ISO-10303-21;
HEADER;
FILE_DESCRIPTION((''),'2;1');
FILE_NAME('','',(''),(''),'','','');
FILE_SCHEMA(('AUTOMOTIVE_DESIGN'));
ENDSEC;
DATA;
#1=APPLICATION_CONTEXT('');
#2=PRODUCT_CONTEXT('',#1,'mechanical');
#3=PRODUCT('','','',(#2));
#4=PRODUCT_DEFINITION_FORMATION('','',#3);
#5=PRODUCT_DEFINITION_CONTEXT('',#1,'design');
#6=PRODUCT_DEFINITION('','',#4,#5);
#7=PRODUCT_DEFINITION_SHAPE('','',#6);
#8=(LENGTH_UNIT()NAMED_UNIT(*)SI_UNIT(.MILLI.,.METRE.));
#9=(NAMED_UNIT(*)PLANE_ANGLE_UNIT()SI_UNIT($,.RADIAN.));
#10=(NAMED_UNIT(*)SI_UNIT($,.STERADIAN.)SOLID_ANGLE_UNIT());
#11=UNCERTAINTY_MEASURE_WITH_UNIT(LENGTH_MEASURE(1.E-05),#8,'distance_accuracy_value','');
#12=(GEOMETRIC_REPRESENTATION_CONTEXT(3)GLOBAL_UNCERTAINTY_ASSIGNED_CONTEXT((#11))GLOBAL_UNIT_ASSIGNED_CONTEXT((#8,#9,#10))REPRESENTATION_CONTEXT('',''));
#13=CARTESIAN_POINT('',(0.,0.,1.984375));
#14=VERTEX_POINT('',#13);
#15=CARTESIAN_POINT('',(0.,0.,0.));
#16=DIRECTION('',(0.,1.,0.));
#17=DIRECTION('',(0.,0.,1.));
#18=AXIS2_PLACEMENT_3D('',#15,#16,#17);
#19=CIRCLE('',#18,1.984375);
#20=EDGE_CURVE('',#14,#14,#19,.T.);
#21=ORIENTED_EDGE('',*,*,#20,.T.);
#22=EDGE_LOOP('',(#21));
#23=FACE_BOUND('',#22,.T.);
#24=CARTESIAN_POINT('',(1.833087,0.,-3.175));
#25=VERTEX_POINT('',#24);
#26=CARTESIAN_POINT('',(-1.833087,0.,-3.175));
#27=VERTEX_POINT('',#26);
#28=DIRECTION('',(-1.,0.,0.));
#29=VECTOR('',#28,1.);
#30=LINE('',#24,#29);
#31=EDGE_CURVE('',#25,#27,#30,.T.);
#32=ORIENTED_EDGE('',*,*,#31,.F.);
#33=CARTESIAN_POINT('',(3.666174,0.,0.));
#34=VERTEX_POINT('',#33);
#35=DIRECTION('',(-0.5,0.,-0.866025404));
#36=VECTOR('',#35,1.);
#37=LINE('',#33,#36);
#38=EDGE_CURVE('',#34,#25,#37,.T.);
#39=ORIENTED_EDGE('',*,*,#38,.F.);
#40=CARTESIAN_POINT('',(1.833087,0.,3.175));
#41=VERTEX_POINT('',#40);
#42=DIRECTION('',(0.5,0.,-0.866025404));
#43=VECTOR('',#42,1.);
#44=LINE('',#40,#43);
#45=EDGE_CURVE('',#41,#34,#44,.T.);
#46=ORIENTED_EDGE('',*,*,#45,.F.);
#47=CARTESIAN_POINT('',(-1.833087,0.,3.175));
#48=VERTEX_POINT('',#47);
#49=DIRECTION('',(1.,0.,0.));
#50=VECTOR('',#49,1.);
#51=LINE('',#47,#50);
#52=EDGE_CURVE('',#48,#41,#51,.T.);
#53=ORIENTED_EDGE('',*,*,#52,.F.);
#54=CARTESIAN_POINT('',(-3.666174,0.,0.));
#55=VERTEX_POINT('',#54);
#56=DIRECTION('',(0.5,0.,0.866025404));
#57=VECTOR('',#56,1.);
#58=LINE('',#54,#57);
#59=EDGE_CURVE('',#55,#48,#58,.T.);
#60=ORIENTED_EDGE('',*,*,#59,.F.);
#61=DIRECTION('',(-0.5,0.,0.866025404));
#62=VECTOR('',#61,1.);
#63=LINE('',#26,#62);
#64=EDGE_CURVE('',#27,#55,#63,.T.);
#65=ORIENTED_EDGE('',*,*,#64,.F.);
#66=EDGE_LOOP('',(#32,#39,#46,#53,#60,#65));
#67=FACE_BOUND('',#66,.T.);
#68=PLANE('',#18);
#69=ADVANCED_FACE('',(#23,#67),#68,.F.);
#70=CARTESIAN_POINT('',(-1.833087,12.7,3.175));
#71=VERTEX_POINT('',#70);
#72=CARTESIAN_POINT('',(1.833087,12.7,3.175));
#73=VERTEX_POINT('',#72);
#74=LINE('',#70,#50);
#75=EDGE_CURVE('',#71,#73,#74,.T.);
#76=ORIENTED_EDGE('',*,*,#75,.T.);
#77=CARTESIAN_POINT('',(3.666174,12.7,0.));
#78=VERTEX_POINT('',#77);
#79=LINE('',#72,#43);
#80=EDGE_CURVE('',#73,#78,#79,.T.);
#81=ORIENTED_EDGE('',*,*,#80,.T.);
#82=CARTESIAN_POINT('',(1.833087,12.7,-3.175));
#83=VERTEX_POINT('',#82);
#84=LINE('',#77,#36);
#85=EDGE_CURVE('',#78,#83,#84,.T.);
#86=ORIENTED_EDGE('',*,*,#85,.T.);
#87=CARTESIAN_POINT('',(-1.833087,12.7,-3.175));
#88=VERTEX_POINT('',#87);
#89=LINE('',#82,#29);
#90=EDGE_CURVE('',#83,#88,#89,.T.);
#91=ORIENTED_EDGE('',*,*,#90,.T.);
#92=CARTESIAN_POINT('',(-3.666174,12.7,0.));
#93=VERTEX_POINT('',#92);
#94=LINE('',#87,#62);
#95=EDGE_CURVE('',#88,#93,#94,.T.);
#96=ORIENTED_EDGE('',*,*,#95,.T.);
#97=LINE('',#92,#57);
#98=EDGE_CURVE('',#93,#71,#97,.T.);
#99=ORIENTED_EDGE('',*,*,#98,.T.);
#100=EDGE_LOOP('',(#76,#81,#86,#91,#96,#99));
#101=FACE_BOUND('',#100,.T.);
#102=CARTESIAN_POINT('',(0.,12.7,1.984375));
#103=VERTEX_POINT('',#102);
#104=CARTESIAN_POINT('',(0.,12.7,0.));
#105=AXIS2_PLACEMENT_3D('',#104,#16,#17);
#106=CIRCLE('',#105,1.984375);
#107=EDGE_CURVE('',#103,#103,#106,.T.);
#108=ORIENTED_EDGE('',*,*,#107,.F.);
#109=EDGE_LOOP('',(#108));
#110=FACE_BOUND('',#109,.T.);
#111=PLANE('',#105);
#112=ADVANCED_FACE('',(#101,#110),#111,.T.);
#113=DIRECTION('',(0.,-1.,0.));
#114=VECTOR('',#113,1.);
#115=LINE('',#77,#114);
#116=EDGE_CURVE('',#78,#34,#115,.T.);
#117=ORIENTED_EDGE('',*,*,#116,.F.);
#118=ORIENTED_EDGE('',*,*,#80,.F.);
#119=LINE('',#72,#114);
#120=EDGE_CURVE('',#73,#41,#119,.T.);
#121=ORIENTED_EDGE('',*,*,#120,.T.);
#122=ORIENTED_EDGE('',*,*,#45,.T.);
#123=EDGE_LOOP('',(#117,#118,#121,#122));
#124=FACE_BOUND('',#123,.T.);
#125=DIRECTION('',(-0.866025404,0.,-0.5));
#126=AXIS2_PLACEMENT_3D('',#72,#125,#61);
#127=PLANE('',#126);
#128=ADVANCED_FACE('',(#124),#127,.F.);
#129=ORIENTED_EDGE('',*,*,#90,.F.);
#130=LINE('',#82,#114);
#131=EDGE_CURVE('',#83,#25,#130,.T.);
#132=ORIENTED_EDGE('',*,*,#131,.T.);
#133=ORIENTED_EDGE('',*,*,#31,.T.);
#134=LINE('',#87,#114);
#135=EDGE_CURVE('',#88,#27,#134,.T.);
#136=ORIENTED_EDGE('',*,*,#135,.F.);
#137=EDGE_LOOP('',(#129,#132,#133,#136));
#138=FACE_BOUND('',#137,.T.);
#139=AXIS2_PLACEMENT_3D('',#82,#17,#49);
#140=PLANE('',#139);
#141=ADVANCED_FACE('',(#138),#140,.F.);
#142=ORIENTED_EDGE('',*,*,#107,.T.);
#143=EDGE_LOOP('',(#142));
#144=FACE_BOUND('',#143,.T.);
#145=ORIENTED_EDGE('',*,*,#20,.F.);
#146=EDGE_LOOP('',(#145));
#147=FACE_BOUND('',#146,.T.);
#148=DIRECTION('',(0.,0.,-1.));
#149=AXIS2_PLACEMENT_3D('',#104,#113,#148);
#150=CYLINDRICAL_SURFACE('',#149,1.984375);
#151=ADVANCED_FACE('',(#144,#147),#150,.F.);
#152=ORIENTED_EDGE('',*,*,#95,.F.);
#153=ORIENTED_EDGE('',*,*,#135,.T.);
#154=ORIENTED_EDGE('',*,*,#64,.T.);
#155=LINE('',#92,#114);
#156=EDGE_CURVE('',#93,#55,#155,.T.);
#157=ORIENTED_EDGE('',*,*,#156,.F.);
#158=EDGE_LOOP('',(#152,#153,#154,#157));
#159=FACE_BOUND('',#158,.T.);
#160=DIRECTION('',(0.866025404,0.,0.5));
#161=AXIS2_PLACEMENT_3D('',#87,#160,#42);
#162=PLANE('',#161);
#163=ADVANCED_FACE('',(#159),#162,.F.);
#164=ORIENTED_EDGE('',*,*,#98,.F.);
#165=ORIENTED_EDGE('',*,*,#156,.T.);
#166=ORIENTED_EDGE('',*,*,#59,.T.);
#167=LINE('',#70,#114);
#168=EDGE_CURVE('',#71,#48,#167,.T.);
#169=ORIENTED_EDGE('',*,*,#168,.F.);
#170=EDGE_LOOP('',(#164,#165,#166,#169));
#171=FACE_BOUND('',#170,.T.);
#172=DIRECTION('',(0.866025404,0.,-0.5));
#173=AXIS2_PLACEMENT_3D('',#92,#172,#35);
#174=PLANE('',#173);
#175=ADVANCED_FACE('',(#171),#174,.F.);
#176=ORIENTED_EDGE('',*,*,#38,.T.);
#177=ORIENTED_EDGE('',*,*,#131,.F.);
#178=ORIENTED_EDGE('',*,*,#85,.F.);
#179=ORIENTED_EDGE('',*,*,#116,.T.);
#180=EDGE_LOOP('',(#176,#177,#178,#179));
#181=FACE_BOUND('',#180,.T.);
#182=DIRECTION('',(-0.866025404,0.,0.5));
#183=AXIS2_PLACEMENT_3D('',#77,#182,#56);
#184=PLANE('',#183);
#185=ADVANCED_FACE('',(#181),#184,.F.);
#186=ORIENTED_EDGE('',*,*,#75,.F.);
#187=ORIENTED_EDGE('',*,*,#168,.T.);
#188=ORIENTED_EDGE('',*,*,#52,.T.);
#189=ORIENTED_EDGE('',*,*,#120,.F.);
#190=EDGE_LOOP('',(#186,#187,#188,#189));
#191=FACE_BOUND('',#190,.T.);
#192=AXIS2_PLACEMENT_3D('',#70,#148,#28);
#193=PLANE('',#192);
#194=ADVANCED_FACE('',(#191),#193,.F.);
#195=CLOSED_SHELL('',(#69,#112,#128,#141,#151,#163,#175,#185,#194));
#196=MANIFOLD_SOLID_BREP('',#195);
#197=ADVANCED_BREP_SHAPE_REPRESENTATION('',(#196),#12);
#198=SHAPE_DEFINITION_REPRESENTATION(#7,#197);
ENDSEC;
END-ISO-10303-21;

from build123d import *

# Parameters (mm, degrees)
SKETCH1_R           = 1.984375
BOSS_EXTRUDE1_DEPTH = 12.7


with BuildPart() as part:
    # Sketch1 → Boss-Extrude1 (new body)
    with BuildSketch(Plane(origin=(0, 0, 0), x_dir=(1, 0, 0), z_dir=(0, 1, 0))):
        Polygon((1.833087105, -3.175), (3.666174209, 0), (1.833087105, 3.175), (-1.833087105, 3.175), (-3.666174209, 0), (-1.833087105, -3.175), align=None)
        Circle(SKETCH1_R, mode=Mode.SUBTRACT)
    extrude(amount=BOSS_EXTRUDE1_DEPTH)


solid = part.part
